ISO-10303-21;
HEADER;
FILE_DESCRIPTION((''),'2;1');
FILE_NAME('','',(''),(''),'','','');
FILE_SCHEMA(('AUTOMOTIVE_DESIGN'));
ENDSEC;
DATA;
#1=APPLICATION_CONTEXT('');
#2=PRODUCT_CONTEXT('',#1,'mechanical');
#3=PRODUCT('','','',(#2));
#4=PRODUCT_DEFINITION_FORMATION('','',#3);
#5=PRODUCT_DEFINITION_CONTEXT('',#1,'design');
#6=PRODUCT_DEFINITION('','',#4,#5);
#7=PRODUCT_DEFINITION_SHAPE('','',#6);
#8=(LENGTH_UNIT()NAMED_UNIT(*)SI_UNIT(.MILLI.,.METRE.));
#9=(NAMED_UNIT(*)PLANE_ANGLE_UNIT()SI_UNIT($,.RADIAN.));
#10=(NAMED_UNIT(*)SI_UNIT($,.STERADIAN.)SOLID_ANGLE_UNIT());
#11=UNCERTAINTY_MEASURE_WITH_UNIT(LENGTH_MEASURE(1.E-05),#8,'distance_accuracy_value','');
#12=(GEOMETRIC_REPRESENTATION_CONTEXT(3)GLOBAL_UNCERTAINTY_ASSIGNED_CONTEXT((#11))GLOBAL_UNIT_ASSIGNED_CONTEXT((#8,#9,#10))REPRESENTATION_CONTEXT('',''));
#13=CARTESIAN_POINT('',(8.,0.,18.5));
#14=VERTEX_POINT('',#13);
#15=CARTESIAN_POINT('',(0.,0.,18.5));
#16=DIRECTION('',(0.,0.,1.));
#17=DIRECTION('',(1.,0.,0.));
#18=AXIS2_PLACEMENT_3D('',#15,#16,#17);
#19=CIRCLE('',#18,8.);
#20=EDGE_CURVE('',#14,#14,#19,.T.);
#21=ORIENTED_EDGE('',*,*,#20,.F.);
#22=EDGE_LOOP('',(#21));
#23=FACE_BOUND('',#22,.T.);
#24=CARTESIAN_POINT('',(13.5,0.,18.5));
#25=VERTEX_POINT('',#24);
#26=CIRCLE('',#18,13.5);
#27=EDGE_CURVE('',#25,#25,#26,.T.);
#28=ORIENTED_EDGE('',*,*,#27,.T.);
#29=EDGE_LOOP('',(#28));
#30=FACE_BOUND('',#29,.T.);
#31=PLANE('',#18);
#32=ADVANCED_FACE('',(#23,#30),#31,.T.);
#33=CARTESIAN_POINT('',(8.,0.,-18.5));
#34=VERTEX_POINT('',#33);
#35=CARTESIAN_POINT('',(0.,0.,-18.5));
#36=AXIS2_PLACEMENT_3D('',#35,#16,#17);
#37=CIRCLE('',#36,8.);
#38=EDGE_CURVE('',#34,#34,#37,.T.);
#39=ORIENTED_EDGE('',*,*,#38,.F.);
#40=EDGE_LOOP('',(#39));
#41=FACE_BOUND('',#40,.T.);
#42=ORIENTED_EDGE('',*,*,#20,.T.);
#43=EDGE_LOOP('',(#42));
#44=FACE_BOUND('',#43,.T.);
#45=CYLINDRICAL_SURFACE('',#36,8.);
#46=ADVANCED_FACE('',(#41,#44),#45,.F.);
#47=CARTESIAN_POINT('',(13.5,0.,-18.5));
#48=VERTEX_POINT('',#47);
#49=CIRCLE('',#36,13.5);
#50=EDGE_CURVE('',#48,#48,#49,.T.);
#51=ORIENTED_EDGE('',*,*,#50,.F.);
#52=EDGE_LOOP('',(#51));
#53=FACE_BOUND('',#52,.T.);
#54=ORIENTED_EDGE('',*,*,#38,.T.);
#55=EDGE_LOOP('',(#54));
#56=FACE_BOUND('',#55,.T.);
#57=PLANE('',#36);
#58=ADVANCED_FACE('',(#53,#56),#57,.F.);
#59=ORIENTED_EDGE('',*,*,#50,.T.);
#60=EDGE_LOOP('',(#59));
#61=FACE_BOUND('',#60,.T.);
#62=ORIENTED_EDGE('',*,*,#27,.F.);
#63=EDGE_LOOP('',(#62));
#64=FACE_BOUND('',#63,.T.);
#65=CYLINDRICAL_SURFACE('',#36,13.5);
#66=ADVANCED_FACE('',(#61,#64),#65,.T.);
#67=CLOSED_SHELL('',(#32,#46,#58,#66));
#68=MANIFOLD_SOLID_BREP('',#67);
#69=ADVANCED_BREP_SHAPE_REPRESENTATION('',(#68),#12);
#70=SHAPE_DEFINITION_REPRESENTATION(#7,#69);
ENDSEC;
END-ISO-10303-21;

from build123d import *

# Parameters (mm, degrees)
BOSS_EXTRUDE1_DEPTH      = 18.5
BOSS_EXTRUDE1_DEPTH_BACK = 18.5
SKETCH1_R                = 13.5
SKETCH1_R_2              = 8


with BuildPart() as part:
    # Sketch1 → Boss-Extrude1 (new, two sides: drawn at the far end of the back side and taken through both)
    with BuildSketch(Plane.XY.offset(-BOSS_EXTRUDE1_DEPTH_BACK)):
        Circle(SKETCH1_R)
        Circle(SKETCH1_R_2, mode=Mode.SUBTRACT)
    extrude(amount=BOSS_EXTRUDE1_DEPTH + BOSS_EXTRUDE1_DEPTH_BACK)


solid = part.part
